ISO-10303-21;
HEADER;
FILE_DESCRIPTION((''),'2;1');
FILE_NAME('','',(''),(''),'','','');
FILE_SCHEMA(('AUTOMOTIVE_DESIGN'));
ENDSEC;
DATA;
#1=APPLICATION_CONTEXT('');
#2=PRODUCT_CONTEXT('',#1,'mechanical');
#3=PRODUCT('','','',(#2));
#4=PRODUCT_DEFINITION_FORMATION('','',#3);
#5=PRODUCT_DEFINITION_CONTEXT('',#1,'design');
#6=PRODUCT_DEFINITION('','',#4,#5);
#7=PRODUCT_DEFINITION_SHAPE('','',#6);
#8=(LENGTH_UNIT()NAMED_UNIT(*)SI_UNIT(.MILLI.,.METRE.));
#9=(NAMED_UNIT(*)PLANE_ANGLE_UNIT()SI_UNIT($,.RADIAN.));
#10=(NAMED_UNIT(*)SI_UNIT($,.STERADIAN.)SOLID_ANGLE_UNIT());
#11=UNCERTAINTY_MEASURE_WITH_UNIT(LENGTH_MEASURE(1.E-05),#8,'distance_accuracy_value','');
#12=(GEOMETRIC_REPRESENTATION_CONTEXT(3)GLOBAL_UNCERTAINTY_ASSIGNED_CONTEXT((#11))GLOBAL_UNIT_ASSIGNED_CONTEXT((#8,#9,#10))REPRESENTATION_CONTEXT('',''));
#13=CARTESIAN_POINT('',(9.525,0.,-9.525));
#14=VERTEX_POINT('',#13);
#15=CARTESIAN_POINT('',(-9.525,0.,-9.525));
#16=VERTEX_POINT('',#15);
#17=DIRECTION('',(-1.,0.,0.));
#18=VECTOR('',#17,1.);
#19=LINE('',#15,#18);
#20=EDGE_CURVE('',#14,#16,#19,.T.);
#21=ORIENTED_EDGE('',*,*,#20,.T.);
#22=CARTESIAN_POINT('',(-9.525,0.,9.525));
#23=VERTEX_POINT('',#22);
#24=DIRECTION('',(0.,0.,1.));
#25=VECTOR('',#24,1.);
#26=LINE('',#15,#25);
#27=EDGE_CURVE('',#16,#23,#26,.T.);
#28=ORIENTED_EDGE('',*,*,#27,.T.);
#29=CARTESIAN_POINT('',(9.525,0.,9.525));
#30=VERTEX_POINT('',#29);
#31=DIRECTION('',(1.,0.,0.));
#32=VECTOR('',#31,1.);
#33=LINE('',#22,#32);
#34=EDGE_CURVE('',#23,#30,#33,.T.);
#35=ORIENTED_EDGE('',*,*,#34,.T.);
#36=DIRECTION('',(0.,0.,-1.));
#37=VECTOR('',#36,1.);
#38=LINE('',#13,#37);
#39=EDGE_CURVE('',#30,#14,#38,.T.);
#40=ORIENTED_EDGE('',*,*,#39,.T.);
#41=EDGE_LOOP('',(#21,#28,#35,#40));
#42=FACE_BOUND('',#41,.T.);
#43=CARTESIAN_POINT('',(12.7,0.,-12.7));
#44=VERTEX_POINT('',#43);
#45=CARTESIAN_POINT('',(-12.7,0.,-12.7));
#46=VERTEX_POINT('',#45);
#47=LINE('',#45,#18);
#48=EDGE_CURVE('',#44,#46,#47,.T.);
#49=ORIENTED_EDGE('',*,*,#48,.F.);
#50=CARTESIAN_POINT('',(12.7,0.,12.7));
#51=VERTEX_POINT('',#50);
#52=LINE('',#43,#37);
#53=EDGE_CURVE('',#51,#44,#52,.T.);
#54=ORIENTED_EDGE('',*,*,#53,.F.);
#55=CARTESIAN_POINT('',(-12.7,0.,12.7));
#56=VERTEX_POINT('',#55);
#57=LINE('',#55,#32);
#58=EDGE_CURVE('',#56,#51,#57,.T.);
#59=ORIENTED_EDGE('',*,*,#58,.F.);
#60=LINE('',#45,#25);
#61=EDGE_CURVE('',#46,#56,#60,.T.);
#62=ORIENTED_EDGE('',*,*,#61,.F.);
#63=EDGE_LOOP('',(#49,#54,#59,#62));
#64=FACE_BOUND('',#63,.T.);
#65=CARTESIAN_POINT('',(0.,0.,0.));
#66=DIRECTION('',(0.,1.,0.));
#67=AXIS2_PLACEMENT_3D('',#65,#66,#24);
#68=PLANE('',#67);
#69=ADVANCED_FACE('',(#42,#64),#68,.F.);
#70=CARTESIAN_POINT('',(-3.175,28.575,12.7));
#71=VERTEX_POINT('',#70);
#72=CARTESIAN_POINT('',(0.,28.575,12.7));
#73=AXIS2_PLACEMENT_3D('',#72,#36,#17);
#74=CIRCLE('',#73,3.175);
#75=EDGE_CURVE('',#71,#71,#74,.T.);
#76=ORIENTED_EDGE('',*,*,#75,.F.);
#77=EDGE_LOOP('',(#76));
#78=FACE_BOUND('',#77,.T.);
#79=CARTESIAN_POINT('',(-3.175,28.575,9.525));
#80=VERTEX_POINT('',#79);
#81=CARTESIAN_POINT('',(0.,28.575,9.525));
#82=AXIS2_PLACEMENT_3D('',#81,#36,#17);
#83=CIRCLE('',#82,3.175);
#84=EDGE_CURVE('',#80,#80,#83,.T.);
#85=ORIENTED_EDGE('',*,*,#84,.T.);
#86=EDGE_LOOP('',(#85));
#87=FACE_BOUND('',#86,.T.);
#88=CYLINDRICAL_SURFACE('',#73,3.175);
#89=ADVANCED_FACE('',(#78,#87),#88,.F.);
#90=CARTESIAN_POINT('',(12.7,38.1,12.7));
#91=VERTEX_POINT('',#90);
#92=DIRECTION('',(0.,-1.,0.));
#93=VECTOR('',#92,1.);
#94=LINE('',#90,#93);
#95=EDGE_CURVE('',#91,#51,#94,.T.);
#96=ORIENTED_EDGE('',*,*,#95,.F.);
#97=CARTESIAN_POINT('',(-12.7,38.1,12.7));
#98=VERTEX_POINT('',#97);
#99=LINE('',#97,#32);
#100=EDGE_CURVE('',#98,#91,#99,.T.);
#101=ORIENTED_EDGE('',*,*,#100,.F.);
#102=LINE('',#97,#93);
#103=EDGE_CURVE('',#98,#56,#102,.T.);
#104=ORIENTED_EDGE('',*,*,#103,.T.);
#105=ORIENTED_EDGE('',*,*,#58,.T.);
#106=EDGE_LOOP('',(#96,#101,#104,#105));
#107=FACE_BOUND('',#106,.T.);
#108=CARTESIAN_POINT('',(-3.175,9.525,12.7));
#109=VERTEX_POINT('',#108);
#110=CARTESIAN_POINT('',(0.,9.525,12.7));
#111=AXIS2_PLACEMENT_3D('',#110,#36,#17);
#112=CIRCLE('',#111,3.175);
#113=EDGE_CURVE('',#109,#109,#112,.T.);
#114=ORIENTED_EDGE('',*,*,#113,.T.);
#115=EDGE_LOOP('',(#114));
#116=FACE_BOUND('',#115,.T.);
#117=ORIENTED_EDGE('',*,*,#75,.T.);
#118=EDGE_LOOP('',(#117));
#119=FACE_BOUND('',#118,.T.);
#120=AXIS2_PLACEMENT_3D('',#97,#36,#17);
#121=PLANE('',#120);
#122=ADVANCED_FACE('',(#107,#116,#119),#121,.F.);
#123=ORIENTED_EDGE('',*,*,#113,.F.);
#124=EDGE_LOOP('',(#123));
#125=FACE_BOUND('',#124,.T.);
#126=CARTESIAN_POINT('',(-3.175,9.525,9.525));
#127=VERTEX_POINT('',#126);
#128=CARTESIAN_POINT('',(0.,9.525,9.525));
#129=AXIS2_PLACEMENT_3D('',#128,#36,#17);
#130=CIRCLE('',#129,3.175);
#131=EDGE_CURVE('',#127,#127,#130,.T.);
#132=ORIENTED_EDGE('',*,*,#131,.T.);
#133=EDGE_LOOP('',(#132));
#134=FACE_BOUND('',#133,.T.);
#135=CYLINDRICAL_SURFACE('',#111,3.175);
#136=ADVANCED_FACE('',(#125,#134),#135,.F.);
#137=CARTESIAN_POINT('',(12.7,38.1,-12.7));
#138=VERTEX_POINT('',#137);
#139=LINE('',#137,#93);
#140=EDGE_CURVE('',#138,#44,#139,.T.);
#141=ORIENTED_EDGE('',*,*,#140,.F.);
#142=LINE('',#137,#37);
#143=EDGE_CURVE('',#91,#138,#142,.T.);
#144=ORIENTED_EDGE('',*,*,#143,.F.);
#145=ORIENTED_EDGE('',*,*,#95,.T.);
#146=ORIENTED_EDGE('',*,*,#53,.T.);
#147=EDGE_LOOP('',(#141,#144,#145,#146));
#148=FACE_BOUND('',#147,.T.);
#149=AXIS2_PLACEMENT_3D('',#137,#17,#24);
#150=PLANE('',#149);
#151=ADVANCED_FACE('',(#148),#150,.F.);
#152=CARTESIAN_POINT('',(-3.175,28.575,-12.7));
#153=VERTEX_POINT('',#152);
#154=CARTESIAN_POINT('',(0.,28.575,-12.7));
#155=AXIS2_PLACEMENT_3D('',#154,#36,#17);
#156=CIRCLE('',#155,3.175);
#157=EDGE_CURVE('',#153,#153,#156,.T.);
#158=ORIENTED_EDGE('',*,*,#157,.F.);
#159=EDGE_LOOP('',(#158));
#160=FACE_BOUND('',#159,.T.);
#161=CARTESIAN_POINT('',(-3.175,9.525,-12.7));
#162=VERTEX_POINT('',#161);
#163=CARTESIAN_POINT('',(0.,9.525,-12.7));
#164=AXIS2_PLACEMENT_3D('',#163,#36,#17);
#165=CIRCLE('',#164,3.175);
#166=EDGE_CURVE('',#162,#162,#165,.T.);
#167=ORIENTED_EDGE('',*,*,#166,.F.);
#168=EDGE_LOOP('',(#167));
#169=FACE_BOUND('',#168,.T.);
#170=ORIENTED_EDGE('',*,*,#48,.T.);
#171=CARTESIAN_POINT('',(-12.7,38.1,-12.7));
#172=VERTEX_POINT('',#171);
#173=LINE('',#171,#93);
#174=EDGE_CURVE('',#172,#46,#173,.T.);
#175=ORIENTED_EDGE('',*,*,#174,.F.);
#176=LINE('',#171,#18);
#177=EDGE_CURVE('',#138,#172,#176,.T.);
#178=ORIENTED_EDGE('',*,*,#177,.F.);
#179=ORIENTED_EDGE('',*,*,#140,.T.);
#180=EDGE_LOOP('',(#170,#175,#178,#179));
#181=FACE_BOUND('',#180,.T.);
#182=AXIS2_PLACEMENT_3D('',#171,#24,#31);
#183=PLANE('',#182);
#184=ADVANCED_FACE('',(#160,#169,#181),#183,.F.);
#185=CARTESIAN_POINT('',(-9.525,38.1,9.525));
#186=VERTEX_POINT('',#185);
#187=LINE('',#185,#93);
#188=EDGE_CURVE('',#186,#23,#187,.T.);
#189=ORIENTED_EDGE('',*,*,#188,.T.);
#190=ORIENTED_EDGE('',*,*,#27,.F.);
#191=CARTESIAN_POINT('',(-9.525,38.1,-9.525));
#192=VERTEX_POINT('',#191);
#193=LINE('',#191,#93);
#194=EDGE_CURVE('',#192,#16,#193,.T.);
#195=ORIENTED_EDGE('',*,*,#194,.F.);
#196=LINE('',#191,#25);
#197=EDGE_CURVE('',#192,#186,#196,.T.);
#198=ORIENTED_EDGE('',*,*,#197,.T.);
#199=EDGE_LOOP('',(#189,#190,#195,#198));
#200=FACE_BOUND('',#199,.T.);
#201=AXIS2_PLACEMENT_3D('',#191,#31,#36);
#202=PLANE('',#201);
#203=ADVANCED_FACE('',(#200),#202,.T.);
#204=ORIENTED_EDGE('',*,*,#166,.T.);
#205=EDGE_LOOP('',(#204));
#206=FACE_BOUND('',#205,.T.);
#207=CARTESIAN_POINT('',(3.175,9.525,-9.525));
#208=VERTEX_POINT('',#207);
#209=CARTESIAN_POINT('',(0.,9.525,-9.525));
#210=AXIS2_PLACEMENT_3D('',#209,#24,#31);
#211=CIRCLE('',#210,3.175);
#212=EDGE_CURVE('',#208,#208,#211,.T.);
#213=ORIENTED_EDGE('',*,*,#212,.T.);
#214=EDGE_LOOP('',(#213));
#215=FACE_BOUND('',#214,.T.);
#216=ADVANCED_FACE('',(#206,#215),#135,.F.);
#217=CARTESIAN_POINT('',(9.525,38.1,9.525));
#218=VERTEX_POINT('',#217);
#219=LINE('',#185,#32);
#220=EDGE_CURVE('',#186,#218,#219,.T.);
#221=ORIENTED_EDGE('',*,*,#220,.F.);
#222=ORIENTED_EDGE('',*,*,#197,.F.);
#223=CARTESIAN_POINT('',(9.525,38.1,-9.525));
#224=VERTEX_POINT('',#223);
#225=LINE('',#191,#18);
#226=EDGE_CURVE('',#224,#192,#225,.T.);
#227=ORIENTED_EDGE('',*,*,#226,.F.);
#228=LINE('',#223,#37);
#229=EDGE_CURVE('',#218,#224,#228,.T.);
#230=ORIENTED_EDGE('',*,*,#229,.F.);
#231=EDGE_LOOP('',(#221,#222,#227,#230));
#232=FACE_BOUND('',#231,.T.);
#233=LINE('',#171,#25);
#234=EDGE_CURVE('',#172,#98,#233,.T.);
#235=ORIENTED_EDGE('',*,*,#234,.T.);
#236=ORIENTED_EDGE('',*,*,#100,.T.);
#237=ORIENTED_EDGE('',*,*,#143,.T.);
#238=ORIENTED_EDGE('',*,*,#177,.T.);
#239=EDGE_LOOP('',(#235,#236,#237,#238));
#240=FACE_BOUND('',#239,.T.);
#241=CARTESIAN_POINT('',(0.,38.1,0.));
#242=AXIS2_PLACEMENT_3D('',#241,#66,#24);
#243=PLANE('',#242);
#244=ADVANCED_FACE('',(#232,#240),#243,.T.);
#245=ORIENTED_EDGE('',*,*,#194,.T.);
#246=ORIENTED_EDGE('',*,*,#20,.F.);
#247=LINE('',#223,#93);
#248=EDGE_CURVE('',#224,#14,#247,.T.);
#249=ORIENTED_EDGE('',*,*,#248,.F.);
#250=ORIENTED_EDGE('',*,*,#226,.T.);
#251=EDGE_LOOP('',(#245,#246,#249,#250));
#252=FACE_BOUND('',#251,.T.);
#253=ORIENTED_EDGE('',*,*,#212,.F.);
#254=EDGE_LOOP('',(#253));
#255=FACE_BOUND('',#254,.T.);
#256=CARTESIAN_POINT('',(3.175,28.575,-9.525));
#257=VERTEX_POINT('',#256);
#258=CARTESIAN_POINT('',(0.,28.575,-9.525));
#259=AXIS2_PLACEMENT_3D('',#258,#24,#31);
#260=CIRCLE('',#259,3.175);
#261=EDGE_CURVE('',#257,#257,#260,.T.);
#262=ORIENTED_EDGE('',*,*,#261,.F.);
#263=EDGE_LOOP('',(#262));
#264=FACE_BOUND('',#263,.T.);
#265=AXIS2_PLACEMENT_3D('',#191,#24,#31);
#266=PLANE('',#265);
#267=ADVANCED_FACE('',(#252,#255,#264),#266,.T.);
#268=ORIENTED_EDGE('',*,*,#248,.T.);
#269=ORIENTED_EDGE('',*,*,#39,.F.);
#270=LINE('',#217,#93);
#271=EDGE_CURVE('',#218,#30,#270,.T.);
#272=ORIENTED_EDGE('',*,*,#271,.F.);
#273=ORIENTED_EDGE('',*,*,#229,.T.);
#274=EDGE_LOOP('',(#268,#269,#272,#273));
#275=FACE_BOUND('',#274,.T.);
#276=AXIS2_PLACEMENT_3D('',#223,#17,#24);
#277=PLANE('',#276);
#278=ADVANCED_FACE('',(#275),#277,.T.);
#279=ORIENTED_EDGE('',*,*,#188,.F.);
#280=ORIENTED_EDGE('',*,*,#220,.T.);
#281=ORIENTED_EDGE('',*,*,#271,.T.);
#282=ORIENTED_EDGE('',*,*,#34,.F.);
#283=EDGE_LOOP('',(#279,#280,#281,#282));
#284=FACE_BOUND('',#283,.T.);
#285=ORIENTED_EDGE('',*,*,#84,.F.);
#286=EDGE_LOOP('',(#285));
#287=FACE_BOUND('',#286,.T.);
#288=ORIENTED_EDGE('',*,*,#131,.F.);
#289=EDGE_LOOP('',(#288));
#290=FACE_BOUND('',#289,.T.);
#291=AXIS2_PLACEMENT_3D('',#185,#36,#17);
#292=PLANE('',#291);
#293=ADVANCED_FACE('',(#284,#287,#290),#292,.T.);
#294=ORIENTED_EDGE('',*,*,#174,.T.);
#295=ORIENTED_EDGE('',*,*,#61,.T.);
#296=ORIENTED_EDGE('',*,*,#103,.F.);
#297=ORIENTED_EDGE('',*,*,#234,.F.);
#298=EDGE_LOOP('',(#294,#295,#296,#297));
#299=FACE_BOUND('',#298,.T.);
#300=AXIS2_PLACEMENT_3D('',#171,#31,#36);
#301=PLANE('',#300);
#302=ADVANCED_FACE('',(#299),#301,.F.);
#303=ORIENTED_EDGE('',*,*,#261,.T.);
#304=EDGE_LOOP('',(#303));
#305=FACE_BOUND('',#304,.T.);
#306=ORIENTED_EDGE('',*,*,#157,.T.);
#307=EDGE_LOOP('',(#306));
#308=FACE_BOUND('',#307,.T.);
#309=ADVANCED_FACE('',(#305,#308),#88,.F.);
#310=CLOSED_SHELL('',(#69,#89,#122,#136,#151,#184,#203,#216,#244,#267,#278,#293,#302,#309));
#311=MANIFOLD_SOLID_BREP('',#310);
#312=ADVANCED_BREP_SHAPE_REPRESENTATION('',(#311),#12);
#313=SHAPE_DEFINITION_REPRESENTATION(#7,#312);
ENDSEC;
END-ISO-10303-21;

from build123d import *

# Parameters (mm, degrees)
SKETCH1_W           = 25.4
SKETCH1_H           = 25.4
SKETCH1_W_2         = 19.05
SKETCH1_H_2         = 19.05
BOSS_EXTRUDE1_DEPTH = 38.1
SKETCH2_R           = 3.175
CUT_EXTRUDE1_DEPTH  = 25.4


with BuildPart() as part:
    # Sketch1 → Boss-Extrude1 (new body)
    with BuildSketch(Plane(origin=(0, 0, 0), x_dir=(1, 0, 0), z_dir=(0, 1, 0))):
        Rectangle(SKETCH1_W, SKETCH1_H)
        Rectangle(SKETCH1_W_2, SKETCH1_H_2, mode=Mode.SUBTRACT)
    extrude(amount=BOSS_EXTRUDE1_DEPTH)

    # Sketch2 → Cut-Extrude1 (cut)
    with BuildSketch(Plane(origin=(0, 0, -12.7), x_dir=(-1, 0, 0), z_dir=(0, 0, -1))):
        with Locations((0, 28.575)):
            Circle(SKETCH2_R)
        with Locations((0, 9.525)):
            Circle(SKETCH2_R)
    extrude(amount=-CUT_EXTRUDE1_DEPTH, mode=Mode.SUBTRACT)


solid = part.part
